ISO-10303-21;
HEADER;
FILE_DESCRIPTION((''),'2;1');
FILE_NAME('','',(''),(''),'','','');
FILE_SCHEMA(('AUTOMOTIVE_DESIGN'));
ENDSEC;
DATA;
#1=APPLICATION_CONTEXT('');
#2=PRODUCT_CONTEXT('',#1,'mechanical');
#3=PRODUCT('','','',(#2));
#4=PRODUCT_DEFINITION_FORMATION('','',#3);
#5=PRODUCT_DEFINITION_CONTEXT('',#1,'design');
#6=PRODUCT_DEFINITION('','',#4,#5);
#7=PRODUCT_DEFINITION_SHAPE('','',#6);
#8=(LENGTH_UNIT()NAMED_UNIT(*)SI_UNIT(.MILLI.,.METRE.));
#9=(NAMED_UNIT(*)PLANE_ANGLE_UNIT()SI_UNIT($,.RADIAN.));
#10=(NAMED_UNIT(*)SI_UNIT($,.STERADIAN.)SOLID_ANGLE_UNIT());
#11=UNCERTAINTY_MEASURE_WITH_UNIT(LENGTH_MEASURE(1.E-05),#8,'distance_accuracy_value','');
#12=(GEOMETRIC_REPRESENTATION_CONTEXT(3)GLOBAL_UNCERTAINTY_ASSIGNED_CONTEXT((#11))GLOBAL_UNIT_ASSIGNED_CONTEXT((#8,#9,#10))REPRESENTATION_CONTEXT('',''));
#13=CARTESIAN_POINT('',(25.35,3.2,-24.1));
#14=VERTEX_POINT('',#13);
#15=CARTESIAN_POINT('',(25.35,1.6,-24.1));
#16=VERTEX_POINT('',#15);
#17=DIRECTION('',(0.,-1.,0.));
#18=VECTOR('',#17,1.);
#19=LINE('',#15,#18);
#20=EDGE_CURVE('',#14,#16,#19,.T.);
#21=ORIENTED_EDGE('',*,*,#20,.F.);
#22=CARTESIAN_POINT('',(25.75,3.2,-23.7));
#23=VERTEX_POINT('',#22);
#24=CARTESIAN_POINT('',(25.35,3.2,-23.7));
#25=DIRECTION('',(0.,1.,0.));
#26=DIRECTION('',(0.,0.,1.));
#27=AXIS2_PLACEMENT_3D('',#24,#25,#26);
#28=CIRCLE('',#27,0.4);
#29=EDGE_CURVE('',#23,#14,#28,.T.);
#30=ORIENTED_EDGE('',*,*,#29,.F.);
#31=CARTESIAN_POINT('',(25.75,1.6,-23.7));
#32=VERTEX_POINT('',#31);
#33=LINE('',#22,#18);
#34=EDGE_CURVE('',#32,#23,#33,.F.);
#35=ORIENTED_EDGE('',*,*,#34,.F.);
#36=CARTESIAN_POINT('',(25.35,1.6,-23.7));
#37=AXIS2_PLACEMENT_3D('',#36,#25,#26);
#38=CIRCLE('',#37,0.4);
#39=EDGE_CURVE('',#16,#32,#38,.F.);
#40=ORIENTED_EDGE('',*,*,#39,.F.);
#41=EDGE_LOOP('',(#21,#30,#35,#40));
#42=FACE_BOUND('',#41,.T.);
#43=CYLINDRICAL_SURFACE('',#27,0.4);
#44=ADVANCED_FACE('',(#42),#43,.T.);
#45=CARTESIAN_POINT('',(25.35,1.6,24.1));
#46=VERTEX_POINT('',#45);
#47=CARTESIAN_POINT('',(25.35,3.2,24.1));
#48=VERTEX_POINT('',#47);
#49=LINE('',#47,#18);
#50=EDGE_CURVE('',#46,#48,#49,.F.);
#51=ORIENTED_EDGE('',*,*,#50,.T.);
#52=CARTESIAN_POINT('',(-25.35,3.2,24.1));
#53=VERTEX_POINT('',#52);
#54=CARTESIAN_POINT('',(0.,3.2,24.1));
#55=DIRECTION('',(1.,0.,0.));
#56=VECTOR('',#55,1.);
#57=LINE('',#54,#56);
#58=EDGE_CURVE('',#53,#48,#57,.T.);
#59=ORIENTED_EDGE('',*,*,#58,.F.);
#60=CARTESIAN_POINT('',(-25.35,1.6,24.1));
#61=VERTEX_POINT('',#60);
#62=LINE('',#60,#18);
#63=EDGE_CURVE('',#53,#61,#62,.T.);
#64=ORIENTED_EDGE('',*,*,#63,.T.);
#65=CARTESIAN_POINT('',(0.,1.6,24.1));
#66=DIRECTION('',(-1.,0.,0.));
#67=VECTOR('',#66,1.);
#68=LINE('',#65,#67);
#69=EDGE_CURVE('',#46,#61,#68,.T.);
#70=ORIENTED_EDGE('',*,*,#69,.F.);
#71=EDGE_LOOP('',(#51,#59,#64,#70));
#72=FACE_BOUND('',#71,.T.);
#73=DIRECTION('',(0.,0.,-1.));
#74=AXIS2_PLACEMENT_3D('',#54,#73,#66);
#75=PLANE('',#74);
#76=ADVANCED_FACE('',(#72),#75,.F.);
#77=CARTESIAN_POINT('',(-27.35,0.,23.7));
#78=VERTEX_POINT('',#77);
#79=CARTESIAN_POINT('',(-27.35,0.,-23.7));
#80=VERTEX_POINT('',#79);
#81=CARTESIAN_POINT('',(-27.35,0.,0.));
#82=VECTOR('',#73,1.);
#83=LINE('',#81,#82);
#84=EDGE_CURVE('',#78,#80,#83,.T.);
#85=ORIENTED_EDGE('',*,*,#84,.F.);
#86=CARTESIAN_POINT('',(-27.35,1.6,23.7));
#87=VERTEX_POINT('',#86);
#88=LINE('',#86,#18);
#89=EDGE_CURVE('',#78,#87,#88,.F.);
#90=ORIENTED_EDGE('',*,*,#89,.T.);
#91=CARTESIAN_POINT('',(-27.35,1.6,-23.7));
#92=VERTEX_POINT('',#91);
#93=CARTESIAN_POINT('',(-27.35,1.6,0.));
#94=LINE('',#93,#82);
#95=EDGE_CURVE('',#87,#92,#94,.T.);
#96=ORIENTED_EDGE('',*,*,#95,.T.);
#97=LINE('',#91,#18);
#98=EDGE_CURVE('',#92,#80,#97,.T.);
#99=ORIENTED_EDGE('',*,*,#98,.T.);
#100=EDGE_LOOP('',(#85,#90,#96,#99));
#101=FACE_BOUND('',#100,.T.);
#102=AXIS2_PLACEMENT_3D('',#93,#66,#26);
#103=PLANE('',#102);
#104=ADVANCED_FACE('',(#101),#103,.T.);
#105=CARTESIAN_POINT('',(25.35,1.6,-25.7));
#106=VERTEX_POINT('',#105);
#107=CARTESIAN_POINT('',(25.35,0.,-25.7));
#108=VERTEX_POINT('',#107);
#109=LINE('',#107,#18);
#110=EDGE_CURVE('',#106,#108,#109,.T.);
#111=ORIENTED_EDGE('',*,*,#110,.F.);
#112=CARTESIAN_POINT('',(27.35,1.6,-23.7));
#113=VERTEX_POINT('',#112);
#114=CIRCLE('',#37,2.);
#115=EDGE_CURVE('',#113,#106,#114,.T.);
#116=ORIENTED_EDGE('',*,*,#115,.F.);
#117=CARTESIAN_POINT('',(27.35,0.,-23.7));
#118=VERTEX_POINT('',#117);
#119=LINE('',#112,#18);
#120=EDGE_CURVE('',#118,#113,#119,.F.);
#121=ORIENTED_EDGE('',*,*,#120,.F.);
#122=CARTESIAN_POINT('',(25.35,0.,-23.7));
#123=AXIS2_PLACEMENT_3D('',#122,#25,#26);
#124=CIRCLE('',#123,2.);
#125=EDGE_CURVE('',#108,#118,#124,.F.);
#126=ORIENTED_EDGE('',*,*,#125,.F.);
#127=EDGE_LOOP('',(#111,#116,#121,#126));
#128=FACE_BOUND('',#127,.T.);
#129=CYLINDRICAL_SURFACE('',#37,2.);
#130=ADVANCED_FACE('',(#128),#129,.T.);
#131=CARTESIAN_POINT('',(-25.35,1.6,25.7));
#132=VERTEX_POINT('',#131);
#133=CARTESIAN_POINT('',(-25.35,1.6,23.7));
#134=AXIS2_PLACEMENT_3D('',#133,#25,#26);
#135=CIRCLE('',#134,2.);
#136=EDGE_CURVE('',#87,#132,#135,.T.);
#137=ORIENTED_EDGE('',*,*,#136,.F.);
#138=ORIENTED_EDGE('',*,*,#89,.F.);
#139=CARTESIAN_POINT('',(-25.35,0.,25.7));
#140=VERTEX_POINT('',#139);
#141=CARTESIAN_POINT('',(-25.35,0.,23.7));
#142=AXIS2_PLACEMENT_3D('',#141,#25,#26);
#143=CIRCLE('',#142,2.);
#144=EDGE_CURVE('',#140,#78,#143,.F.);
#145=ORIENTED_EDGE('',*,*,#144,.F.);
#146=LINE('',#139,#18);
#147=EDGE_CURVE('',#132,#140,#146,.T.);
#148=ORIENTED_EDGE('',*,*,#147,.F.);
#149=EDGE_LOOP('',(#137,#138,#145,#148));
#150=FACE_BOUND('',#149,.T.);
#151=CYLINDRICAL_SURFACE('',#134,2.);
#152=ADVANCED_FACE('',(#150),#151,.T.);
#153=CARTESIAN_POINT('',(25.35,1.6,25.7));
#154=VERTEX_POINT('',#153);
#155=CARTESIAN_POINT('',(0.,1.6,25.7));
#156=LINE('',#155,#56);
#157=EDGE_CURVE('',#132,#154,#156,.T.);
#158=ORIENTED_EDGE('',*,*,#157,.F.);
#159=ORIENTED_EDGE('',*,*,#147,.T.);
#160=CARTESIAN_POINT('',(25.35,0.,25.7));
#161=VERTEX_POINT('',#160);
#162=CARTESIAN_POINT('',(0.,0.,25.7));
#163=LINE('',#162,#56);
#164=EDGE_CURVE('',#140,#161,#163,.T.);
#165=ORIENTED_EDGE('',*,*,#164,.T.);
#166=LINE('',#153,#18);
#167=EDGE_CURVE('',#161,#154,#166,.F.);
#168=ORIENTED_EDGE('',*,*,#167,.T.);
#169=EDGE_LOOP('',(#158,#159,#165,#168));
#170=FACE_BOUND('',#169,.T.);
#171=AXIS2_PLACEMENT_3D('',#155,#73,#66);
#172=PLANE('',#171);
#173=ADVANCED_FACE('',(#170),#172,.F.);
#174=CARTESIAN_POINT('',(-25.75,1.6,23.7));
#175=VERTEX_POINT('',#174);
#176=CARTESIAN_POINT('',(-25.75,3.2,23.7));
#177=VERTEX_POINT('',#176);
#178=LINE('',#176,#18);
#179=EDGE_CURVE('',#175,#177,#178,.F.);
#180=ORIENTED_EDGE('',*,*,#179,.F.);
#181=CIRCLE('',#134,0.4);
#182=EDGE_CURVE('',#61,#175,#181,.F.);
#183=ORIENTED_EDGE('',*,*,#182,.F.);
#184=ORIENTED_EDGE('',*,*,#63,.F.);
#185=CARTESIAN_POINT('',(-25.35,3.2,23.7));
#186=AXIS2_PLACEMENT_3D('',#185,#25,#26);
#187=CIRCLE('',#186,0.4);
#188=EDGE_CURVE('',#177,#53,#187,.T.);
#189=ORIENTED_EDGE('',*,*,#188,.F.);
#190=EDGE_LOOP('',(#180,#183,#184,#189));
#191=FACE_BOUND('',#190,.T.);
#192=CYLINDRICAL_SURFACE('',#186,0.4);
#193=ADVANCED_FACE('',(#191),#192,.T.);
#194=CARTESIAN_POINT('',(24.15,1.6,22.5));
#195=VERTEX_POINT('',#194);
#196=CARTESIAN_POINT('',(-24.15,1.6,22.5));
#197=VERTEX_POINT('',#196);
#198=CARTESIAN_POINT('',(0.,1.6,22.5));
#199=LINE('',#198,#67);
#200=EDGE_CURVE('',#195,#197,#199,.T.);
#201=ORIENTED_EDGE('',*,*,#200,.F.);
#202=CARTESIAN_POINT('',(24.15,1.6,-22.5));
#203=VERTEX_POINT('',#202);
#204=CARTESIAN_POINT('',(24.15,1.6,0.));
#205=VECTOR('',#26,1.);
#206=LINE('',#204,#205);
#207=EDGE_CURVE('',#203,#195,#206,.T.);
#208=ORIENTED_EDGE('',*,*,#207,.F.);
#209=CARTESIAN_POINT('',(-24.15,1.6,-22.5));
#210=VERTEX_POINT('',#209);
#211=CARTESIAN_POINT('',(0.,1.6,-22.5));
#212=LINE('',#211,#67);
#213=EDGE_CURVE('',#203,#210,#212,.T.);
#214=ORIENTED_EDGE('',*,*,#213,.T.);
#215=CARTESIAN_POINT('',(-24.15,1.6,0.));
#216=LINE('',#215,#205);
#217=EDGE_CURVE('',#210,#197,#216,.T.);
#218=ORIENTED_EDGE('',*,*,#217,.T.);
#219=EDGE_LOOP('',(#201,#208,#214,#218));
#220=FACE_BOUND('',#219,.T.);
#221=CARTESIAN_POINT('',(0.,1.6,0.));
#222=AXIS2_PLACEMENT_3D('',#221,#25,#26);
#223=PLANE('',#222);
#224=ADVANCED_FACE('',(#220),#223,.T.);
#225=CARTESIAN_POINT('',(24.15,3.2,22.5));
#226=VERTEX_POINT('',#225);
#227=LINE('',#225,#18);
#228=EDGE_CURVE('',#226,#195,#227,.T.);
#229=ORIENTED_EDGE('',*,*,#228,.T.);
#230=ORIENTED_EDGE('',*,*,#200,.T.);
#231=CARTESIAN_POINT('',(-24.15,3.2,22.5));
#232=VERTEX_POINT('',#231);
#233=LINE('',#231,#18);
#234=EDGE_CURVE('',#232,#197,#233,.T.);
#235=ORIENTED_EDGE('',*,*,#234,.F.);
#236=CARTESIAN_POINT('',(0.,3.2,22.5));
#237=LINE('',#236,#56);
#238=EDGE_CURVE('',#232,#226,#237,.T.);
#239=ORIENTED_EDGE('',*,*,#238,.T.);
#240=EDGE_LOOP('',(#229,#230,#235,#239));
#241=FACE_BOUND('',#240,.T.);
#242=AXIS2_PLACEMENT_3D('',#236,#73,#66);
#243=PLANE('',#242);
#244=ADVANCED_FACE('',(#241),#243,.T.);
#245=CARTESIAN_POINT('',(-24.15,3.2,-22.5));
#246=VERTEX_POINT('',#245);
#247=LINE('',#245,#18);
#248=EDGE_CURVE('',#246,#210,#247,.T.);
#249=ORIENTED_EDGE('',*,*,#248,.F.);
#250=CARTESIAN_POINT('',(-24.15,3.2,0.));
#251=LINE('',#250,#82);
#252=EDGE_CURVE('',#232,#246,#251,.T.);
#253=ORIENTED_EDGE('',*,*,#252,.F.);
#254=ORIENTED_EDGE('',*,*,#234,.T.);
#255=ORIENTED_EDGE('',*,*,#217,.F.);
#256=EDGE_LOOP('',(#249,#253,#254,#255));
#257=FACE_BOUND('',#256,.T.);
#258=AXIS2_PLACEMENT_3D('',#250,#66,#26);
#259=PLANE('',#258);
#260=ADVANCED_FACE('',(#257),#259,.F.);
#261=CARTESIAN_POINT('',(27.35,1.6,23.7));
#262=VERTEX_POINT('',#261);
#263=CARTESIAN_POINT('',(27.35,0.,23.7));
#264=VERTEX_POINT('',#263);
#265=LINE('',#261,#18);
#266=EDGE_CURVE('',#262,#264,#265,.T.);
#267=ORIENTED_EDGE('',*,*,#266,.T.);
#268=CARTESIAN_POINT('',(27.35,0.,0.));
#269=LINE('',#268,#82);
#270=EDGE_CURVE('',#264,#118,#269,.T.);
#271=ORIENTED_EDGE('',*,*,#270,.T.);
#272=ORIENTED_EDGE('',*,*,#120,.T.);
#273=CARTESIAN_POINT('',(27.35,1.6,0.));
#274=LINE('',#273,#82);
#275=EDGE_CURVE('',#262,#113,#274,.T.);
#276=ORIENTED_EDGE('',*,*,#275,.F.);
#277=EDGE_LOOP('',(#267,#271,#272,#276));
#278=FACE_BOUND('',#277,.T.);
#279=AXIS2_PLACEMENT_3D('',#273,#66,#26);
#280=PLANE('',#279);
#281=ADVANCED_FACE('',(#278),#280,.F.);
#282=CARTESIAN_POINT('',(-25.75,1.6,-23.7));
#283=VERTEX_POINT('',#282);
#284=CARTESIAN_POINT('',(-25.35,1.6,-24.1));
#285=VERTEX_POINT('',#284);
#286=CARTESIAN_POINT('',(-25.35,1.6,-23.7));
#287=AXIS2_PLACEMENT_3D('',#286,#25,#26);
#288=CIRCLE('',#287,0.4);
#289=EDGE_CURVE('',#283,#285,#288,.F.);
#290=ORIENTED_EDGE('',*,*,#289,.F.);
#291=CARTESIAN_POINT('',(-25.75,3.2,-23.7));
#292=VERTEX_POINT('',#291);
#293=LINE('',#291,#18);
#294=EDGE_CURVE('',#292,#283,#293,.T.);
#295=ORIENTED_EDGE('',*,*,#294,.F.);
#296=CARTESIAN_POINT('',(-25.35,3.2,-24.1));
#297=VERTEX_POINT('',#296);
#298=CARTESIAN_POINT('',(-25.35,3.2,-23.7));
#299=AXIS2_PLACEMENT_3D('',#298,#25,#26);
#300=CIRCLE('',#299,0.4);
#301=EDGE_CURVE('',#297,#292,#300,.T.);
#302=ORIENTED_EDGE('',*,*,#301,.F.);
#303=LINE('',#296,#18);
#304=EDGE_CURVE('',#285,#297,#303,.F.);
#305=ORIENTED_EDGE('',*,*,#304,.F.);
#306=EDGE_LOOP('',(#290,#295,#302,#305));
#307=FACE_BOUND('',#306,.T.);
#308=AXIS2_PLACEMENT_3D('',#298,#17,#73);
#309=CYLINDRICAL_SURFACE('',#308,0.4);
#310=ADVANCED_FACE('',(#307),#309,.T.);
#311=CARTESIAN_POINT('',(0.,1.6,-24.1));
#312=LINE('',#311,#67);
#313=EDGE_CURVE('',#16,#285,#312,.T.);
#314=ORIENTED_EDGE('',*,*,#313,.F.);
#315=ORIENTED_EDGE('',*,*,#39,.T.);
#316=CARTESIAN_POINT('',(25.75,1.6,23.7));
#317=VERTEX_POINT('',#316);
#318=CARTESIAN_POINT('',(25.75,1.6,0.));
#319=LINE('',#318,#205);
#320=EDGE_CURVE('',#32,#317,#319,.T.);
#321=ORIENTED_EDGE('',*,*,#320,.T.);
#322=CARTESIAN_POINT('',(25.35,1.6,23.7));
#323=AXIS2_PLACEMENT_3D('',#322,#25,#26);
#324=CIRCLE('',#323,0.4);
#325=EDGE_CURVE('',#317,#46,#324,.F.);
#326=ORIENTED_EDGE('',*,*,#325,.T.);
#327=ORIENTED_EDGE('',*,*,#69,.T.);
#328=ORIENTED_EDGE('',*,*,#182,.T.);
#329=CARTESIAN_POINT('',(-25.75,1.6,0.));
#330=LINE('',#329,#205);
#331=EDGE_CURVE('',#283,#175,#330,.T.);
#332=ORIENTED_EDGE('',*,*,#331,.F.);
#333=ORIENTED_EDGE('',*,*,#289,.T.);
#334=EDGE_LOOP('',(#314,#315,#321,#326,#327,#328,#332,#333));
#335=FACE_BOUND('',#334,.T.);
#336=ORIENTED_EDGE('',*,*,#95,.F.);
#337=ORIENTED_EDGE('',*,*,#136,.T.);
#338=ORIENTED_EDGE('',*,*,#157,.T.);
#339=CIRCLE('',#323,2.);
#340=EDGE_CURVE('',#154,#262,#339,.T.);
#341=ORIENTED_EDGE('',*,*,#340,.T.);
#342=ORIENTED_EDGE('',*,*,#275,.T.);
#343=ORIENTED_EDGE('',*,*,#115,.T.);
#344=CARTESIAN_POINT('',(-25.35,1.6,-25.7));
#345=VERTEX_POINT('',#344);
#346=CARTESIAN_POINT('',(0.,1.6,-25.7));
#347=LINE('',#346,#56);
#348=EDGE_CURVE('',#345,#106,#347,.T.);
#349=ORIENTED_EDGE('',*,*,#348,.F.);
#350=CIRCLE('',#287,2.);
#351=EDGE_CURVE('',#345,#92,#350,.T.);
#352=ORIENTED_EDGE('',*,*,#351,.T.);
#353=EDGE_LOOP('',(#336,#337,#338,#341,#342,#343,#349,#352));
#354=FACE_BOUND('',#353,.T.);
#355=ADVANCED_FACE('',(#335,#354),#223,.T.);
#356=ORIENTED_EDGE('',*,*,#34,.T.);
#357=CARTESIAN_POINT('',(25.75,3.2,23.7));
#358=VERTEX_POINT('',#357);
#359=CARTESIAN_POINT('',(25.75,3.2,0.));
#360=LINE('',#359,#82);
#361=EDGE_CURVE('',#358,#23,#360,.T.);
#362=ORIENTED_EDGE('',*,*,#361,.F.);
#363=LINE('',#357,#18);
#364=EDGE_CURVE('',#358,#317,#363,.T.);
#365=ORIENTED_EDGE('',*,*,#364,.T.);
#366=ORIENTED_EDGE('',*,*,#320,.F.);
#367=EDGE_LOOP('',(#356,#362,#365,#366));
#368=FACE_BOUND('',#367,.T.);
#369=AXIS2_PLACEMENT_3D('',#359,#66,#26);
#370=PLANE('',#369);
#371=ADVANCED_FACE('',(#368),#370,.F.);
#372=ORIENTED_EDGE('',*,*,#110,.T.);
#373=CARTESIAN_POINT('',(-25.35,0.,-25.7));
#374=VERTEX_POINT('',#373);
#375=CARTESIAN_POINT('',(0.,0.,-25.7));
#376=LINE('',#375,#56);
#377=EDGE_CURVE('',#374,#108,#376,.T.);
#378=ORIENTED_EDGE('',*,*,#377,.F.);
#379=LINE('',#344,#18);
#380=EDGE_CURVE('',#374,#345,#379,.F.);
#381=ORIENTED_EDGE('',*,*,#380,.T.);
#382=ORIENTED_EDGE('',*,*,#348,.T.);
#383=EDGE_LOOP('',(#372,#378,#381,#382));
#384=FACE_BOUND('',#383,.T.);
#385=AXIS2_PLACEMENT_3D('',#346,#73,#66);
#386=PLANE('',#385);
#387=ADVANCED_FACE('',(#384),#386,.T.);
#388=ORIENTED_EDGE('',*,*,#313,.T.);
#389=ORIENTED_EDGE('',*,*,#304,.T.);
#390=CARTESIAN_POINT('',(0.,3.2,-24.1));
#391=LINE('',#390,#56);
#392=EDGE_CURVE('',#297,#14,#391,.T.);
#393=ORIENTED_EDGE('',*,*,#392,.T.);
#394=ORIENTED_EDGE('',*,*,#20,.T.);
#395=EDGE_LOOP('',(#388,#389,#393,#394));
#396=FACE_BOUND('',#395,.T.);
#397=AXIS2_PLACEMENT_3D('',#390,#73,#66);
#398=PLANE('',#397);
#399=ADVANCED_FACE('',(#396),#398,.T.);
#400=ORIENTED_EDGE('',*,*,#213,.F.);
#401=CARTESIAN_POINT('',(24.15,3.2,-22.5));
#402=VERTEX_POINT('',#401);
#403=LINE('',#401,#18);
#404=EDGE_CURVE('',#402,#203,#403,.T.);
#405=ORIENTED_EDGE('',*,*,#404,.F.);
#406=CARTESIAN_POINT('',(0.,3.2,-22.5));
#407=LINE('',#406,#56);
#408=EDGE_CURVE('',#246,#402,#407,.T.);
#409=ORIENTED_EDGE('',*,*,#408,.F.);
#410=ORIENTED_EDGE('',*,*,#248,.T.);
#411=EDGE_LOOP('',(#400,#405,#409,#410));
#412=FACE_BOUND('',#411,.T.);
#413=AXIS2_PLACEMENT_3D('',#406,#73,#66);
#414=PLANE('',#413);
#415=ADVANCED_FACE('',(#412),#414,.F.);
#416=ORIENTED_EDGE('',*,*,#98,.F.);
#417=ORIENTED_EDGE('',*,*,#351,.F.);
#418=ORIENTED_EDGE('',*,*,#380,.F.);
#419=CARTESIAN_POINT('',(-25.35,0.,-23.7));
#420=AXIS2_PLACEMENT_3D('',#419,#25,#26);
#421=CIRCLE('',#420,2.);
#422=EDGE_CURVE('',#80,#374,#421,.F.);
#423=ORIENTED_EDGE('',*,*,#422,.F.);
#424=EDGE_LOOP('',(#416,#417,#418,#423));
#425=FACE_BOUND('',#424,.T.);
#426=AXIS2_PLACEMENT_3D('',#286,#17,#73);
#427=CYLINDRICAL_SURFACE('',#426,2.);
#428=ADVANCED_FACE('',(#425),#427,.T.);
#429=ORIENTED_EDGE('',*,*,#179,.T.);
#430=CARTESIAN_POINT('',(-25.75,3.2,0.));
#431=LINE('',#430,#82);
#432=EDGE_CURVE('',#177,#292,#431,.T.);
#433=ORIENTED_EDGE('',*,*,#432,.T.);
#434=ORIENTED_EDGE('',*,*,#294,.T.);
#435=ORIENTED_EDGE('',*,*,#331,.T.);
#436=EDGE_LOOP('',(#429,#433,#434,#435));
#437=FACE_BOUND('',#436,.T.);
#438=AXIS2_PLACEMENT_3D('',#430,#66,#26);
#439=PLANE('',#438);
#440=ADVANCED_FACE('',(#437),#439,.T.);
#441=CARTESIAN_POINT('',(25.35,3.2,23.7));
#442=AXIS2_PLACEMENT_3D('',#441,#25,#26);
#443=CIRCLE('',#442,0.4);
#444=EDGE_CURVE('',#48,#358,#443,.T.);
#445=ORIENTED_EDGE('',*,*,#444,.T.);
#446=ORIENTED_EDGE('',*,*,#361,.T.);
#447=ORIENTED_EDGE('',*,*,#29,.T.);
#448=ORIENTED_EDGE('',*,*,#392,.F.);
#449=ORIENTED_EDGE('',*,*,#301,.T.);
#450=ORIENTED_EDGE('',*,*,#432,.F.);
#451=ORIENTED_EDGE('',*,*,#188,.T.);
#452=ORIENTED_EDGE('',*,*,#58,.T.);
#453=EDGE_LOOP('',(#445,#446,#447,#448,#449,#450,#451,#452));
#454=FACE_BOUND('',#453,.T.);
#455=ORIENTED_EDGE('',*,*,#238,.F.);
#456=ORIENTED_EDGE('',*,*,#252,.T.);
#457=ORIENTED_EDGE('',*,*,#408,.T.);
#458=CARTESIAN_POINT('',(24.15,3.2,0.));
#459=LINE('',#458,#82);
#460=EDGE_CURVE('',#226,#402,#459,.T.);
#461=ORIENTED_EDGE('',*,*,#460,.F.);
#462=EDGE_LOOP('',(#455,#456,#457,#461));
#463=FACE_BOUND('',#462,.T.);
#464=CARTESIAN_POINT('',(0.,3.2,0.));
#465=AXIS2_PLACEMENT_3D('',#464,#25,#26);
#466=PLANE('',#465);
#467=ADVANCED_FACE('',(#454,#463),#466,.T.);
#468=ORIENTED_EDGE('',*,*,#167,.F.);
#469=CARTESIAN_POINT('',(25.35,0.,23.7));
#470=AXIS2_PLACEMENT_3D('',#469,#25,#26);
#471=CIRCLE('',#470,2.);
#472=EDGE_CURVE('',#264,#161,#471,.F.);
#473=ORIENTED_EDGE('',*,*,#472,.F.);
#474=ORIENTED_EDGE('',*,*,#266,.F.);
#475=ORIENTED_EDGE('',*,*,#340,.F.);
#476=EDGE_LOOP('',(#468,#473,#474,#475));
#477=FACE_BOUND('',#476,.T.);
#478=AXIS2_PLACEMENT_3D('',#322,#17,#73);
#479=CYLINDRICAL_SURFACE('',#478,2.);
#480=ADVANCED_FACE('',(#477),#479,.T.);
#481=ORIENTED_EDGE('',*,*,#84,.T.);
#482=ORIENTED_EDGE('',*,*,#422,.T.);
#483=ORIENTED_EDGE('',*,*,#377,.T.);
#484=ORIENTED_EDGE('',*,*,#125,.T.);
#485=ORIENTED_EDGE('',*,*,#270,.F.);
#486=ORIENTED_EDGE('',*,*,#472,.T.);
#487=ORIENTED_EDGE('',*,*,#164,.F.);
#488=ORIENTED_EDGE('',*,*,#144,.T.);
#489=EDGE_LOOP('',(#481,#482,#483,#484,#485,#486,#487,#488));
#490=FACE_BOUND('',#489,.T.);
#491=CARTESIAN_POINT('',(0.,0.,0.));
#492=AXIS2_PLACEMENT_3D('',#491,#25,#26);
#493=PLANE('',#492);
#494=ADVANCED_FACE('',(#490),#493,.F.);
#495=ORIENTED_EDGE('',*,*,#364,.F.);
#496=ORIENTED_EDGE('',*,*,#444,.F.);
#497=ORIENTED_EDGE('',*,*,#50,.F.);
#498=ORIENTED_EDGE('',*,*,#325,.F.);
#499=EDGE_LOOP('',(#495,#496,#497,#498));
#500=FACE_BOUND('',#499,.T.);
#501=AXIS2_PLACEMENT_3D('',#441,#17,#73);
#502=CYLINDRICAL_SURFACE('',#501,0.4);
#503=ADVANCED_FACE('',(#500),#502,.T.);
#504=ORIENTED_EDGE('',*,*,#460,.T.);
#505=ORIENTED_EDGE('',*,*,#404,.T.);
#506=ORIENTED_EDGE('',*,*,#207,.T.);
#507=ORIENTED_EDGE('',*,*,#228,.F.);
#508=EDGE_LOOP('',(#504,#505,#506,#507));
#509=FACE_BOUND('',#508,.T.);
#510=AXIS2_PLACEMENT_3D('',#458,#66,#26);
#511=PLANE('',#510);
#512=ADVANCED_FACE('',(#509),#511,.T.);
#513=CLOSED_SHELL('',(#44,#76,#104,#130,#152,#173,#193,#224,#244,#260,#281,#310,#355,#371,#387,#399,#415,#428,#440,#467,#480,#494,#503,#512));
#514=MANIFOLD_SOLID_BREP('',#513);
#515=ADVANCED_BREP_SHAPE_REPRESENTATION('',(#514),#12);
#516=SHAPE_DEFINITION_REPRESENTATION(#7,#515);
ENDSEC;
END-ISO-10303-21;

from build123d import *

# Parameters (mm, degrees)
SKETCH1_W           = 54.7
SKETCH1_H           = 51.4
BOSS_EXTRUDE1_DEPTH = 1.6
SKETCH1_3_W         = 51.5
SKETCH1_3_H         = 48.2
SKETCH1_3_W_2       = 48.3
SKETCH1_3_H_2       = 45
BOSS_EXTRUDE2_DEPTH = 3.2
FILLET1_R           = 2
FILLET2_R           = 0.4


with BuildPart() as part:
    # Sketch1 → Boss-Extrude1 (new body)
    with BuildSketch(Plane(origin=(0, 0, 0), x_dir=(1, 0, 0), z_dir=(0, 1, 0))):
        Rectangle(SKETCH1_W, SKETCH1_H)
    extrude(amount=BOSS_EXTRUDE1_DEPTH)

    # Sketch1<3> → Boss-Extrude2 (add)
    with BuildSketch(Plane(origin=(0, 0, 0), x_dir=(1, 0, 0), z_dir=(0, 1, 0))):
        Rectangle(SKETCH1_3_W, SKETCH1_3_H)
        Rectangle(SKETCH1_3_W_2, SKETCH1_3_H_2, mode=Mode.SUBTRACT)
    extrude(amount=BOSS_EXTRUDE2_DEPTH)

    # Fillet1
    fillet1_edges = [part.edges().sort_by_distance(p)[0] for p in [
        (-27.35, 0.8, 25.7),
        (27.35, 0.8, 25.7),
        (-27.35, 0.8, -25.7),
        (27.35, 0.8, -25.7),
    ]]
    fillet(fillet1_edges, radius=FILLET1_R)

    # Fillet2
    fillet2_edges = [part.edges().sort_by_distance(p)[0] for p in [
        (25.75, 2.4, -24.1),
        (25.75, 2.4, 24.1),
        (-25.75, 2.4, 24.1),
        (-25.75, 2.4, -24.1),
    ]]
    fillet(fillet2_edges, radius=FILLET2_R)


solid = part.part
